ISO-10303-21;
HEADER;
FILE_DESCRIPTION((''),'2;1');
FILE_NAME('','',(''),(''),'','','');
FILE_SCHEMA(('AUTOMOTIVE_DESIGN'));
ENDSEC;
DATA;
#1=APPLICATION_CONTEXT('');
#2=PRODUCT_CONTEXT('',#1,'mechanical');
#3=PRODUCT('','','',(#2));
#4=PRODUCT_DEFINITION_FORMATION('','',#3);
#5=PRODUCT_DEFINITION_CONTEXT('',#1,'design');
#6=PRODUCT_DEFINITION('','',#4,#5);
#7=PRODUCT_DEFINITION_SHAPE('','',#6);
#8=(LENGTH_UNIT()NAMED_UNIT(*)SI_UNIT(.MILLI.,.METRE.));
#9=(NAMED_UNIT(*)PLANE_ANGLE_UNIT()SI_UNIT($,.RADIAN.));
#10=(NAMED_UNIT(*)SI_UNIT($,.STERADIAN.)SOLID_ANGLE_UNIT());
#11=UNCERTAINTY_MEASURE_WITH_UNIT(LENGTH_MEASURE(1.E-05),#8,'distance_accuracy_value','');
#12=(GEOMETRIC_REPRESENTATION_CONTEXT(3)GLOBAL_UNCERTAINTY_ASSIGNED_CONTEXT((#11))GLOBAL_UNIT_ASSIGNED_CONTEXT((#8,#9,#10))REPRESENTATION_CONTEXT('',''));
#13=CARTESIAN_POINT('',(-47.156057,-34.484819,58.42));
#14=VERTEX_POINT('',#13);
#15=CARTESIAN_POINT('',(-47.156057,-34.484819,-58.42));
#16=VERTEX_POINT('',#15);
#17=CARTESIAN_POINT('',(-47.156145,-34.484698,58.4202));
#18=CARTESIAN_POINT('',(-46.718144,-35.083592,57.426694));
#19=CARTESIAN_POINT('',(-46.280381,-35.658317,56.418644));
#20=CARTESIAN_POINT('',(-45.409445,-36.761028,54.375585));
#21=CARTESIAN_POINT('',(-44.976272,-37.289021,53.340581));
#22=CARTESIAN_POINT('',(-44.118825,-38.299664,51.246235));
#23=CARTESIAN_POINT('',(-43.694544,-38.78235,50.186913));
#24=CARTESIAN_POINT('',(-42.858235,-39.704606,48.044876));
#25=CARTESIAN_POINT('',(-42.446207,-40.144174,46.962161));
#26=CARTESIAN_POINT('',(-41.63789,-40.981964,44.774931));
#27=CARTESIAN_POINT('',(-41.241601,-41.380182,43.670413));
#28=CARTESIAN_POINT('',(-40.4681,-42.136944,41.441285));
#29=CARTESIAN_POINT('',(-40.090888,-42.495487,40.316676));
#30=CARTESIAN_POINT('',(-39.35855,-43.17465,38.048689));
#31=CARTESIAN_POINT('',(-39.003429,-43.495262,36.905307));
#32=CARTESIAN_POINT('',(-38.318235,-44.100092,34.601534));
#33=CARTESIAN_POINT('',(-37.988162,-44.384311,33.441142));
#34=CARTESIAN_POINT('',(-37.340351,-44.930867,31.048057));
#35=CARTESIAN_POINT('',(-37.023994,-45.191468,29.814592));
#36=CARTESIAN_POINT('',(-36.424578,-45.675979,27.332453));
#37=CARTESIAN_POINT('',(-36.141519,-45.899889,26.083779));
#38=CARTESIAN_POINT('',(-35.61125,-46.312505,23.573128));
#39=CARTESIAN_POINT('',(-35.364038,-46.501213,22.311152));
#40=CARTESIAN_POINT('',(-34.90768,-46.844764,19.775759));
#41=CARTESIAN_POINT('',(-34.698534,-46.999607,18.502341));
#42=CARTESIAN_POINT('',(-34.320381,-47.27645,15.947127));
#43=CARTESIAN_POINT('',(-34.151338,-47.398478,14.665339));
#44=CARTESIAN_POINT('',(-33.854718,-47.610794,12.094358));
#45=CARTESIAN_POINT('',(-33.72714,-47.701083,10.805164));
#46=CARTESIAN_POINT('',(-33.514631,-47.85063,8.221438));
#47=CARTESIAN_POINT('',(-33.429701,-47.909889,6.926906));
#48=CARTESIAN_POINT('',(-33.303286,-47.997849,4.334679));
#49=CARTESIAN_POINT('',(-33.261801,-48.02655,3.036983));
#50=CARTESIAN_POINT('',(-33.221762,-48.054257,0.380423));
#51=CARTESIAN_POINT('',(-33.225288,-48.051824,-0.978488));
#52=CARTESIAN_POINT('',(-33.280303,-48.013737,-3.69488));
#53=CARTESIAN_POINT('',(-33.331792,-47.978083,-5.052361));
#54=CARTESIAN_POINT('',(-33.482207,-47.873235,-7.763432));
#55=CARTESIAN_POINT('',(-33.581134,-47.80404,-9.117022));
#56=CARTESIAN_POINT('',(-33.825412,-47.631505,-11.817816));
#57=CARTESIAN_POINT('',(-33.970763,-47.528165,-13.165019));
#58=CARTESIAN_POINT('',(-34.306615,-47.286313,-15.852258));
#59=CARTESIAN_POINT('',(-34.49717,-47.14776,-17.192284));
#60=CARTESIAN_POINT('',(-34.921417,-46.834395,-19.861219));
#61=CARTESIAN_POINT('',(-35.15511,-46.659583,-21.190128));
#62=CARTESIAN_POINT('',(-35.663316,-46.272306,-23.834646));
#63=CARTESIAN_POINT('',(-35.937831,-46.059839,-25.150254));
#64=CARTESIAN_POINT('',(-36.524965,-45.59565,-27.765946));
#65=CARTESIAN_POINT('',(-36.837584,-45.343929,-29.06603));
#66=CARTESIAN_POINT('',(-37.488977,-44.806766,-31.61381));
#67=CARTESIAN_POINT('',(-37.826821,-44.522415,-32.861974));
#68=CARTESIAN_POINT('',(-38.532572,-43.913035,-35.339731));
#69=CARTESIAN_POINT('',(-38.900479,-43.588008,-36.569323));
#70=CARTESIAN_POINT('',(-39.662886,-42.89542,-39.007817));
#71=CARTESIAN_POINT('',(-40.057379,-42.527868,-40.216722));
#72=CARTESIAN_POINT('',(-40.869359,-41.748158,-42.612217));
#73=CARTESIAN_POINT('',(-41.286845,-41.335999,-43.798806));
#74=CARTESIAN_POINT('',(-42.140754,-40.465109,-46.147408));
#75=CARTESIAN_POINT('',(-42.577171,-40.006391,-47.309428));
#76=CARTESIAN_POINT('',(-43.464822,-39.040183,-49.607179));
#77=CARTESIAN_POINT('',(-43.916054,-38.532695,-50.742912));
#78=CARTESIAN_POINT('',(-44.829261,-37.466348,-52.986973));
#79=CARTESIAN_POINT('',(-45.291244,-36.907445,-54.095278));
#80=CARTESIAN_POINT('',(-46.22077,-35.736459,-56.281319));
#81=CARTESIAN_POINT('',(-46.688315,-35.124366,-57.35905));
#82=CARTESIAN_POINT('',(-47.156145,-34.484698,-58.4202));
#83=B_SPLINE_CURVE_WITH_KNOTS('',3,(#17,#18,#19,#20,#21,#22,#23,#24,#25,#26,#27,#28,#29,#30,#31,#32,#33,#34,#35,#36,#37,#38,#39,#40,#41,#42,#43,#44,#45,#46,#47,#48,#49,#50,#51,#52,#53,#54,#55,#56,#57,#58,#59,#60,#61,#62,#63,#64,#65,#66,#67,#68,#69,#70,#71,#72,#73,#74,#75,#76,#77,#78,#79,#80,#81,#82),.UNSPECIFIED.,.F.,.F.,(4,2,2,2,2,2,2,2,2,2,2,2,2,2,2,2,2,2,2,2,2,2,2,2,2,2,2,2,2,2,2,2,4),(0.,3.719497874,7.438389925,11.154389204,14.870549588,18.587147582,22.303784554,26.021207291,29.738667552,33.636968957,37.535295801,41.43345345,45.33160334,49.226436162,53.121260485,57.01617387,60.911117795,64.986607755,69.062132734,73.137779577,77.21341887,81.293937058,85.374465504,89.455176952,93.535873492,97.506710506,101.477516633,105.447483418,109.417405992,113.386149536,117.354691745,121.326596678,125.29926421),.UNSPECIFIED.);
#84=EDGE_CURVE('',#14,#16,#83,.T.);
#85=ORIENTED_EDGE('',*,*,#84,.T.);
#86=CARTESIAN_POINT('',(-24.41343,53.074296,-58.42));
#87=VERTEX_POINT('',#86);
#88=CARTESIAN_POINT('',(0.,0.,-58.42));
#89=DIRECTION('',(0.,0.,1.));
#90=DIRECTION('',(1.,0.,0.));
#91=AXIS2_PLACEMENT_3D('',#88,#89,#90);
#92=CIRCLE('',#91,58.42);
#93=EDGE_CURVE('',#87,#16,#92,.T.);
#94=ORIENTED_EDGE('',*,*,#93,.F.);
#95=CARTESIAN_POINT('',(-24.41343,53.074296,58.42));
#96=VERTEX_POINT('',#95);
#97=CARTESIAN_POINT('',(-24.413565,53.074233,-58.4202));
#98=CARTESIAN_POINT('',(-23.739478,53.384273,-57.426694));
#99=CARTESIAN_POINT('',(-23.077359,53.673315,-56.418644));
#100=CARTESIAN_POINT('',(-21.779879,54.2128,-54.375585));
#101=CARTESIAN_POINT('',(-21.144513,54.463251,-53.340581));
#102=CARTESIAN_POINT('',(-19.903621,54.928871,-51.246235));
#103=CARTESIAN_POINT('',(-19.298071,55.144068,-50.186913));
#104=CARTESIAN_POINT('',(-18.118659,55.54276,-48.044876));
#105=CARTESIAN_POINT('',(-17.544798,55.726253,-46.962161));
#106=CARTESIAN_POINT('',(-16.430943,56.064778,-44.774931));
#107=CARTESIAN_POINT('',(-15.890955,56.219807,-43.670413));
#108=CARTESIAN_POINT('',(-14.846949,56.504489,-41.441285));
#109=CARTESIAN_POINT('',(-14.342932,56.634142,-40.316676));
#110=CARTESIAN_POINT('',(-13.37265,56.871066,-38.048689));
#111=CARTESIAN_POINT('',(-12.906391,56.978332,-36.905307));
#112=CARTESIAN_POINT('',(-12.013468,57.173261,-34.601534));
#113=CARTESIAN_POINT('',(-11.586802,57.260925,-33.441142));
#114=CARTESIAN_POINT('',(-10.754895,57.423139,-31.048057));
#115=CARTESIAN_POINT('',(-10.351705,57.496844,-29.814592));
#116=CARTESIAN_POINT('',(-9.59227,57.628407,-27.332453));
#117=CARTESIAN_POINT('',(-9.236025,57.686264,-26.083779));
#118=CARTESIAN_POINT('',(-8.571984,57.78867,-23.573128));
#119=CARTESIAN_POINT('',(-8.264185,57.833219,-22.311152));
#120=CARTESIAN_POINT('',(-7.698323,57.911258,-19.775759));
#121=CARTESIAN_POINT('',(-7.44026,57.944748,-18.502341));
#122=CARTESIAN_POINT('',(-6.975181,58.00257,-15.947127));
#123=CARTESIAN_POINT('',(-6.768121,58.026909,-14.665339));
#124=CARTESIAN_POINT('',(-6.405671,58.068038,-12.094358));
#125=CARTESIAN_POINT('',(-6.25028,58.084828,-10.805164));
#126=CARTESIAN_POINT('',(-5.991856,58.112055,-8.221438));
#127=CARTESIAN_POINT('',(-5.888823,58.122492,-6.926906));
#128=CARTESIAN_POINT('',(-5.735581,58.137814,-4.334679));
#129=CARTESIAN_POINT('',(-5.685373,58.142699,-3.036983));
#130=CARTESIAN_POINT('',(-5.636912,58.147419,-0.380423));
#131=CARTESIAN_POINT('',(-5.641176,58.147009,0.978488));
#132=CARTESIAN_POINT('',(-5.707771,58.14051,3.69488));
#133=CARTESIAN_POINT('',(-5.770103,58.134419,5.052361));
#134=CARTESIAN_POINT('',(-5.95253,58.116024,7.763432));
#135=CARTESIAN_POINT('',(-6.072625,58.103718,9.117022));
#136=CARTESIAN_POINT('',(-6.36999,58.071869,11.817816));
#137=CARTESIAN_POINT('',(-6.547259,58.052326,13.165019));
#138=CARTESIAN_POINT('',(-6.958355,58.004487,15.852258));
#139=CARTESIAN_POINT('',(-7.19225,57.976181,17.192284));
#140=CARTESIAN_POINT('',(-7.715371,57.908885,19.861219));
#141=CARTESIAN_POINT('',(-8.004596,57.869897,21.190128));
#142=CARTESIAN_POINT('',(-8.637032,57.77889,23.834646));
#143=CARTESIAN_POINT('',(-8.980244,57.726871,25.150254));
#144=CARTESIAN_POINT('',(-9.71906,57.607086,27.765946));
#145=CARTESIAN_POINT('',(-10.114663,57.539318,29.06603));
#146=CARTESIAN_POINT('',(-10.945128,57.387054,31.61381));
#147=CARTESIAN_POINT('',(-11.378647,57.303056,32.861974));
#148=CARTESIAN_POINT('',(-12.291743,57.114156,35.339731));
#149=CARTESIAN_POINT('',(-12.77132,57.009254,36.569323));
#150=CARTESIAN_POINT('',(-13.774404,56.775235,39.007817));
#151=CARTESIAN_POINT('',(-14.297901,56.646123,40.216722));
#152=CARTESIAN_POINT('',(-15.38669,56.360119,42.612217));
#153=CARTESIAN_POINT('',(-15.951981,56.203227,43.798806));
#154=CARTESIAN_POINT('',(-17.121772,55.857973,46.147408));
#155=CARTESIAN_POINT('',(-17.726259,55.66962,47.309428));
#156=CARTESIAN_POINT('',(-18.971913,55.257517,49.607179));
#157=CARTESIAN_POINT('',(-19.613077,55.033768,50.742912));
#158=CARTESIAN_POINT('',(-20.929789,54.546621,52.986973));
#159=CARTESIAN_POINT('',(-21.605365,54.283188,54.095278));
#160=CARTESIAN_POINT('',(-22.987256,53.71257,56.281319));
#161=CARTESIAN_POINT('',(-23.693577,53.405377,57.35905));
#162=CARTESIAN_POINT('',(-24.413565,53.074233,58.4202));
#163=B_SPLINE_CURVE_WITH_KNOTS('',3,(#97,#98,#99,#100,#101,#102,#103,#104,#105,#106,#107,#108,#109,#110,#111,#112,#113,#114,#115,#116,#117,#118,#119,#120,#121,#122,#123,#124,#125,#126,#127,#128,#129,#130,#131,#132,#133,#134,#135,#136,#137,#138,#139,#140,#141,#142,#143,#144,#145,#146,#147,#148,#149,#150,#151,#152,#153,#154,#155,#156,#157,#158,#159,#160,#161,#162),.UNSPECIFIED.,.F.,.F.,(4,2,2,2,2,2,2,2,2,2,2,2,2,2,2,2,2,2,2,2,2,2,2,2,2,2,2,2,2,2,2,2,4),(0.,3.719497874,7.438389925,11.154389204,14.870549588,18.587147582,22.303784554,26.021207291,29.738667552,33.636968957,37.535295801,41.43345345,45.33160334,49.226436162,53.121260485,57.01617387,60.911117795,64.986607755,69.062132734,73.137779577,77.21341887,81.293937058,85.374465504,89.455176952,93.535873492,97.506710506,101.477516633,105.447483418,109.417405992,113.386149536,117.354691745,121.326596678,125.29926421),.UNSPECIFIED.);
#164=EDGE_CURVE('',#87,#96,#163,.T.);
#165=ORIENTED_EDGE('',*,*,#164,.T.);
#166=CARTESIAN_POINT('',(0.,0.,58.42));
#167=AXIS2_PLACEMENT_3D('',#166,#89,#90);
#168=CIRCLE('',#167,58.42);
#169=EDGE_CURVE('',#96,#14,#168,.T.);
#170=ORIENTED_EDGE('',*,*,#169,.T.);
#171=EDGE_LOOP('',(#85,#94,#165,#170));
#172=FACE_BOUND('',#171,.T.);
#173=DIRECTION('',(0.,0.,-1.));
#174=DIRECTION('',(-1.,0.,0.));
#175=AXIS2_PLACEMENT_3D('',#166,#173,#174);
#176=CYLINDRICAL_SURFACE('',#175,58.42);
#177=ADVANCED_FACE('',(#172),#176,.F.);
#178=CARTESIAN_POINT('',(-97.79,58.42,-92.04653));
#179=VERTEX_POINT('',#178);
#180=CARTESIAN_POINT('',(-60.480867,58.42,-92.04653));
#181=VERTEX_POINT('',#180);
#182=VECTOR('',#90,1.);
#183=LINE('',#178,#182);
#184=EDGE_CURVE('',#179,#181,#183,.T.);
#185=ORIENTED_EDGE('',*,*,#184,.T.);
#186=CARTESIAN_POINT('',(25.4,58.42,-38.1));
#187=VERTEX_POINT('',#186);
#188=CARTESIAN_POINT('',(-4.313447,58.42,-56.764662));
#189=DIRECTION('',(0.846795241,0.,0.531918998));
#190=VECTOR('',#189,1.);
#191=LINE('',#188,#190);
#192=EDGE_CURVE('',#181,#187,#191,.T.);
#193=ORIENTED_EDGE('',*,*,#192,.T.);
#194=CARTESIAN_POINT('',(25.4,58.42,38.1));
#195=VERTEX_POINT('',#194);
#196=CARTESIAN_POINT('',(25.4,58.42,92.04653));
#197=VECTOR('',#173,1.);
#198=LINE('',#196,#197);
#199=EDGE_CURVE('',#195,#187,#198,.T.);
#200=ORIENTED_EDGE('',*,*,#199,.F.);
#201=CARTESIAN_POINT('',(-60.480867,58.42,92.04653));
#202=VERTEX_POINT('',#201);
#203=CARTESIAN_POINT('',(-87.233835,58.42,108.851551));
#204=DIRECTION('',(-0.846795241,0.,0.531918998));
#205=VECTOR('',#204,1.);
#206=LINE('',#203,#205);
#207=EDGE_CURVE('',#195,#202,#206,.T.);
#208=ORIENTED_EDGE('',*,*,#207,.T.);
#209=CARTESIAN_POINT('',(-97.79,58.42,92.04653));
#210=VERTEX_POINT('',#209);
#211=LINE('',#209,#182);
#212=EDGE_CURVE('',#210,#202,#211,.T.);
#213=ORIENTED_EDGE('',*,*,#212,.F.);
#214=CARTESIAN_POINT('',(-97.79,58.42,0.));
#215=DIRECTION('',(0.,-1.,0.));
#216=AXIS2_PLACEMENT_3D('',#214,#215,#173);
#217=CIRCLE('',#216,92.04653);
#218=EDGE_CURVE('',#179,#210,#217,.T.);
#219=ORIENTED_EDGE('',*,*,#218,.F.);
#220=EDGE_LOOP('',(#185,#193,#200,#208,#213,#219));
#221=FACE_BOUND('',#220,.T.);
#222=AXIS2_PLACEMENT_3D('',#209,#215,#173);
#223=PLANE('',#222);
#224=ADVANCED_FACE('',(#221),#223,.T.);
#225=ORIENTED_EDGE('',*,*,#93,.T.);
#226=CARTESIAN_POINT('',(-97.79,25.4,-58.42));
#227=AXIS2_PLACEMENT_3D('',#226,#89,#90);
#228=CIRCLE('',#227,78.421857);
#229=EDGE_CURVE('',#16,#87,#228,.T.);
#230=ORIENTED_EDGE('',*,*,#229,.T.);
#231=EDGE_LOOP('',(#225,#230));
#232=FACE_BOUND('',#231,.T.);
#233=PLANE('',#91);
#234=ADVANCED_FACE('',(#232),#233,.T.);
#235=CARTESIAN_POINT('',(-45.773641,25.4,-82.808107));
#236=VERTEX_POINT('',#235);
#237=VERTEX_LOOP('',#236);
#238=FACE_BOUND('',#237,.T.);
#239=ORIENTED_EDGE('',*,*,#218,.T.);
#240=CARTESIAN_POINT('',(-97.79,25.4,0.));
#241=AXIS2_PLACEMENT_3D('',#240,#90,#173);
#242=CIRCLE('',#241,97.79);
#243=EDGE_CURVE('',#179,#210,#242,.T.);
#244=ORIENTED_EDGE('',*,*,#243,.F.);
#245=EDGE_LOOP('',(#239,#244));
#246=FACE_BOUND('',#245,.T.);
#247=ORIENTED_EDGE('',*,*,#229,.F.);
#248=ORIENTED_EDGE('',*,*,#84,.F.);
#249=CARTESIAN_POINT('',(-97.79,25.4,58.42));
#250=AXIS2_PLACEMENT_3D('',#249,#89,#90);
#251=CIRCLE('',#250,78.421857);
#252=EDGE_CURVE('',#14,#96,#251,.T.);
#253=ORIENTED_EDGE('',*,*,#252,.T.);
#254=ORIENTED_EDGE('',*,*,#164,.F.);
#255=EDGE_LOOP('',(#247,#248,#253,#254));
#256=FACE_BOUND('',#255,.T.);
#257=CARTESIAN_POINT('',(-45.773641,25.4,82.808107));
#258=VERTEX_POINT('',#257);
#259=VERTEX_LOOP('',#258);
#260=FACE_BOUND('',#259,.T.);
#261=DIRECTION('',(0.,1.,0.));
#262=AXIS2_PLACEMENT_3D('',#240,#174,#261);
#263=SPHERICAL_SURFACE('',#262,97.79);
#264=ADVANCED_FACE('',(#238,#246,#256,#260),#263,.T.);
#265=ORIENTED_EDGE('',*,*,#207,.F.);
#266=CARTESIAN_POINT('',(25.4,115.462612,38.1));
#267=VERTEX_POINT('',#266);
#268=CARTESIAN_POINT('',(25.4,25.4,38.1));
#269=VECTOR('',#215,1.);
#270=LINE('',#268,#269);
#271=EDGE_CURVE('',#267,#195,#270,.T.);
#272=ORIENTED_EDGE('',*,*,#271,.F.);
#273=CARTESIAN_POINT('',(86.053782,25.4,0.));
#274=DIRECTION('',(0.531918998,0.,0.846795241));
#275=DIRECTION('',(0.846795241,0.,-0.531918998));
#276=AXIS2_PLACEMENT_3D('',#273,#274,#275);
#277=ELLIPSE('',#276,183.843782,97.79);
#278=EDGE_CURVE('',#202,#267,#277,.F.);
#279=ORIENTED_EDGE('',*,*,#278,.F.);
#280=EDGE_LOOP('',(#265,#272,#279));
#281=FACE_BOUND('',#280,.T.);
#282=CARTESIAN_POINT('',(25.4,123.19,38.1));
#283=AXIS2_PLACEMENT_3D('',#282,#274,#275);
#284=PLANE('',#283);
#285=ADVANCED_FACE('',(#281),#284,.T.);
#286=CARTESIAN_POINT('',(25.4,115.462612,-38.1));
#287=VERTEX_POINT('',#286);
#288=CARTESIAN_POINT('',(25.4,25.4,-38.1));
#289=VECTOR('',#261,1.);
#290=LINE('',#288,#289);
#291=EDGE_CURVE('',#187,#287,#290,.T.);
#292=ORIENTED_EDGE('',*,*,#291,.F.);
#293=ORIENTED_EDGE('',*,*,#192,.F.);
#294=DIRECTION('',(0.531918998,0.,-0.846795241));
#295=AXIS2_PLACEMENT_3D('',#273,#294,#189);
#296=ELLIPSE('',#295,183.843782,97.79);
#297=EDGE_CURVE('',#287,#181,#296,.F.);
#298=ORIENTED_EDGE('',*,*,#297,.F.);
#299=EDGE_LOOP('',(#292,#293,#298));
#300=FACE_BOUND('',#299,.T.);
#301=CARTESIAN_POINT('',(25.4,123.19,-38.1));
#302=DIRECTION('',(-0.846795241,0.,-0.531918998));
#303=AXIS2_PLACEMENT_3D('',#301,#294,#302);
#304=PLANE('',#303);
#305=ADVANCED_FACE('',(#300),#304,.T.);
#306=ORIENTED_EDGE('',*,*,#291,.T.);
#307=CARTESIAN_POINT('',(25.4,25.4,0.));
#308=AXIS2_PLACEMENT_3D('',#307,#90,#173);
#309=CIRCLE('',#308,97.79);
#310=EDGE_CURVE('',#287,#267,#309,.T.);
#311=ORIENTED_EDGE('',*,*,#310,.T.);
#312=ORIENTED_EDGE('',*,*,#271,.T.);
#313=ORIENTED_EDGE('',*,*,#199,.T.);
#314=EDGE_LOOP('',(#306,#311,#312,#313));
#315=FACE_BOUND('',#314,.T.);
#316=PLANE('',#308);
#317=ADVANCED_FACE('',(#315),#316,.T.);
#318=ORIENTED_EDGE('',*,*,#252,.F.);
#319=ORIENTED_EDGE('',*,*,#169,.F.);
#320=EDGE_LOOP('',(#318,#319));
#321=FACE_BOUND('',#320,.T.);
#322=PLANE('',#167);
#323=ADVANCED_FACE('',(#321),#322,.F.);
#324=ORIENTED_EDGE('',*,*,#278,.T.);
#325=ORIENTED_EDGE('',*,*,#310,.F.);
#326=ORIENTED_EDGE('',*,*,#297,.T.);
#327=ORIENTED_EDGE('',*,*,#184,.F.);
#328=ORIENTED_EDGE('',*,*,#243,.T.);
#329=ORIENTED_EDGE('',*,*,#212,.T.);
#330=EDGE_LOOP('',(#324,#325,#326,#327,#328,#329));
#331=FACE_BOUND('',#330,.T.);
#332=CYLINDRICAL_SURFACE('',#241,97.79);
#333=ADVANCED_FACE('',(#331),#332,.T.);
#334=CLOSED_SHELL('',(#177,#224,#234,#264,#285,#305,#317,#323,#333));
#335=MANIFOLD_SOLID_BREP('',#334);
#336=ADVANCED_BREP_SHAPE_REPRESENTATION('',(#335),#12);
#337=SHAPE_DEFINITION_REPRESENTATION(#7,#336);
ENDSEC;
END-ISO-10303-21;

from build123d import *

# Parameters (mm, degrees)
BOSS_EXTRUDE2_DEPTH      = 25.4
BOSS_EXTRUDE2_DEPTH_BACK = 97.79
CUT_EXTRUDE1_DEPTH       = 251.97847836
CUT_EXTRUDE2_DEPTH       = 58.42
CUT_EXTRUDE2_DEPTH_BACK  = 58.42
SKETCH4_R                = 58.42


with BuildPart() as part:
    # Sketch1 → Revolve1 (revolve)
    with BuildSketch(Plane.XY):
        with BuildLine():
            Line((-195.58, 25.4), (0, 25.4))
            ThreePointArc((0, 25.4), (-97.79, 123.19), (-195.58, 25.4))
        make_face()
    revolve(axis=Axis((-195.58, 25.4, 0), (1, 0, 0)))

    # Sketch2 → Boss-Extrude2 (add, two sides: drawn at the far end of the back side and taken through both)
    with BuildSketch(Plane(origin=(0, 0, 0), x_dir=(0, 0, -1), z_dir=(1, 0, 0)).offset(-BOSS_EXTRUDE2_DEPTH_BACK)):
        with BuildLine():
            Line((-92.046530081, 58.42), (92.046530081, 58.42))
            ThreePointArc((92.046530081, 58.42), (0, 123.19), (-92.046530081, 58.42))
        make_face()
    extrude(amount=BOSS_EXTRUDE2_DEPTH + BOSS_EXTRUDE2_DEPTH_BACK)

    # Sketch3 → Cut-Extrude1 (cut, through all)
    with BuildSketch(Plane(origin=(0, 0, 0), x_dir=(1, 0, 0), z_dir=(0, 1, 0))):
        Polygon((25.4, -38.1), (25.4, 38.1), (-97.79, 115.482462919), (50.8, 115.482462919), (50.8, -115.482462919), (-97.79, -115.482462919), align=None)
    extrude(amount=CUT_EXTRUDE1_DEPTH, mode=Mode.SUBTRACT)

    # Sketch4 → Cut-Extrude2 (cut, two sides: drawn at the far end of the back side and taken through both)
    with BuildSketch(Plane.XY.offset(-CUT_EXTRUDE2_DEPTH_BACK)):
        Circle(SKETCH4_R)
    extrude(amount=CUT_EXTRUDE2_DEPTH + CUT_EXTRUDE2_DEPTH_BACK, mode=Mode.SUBTRACT)


solid = part.part
